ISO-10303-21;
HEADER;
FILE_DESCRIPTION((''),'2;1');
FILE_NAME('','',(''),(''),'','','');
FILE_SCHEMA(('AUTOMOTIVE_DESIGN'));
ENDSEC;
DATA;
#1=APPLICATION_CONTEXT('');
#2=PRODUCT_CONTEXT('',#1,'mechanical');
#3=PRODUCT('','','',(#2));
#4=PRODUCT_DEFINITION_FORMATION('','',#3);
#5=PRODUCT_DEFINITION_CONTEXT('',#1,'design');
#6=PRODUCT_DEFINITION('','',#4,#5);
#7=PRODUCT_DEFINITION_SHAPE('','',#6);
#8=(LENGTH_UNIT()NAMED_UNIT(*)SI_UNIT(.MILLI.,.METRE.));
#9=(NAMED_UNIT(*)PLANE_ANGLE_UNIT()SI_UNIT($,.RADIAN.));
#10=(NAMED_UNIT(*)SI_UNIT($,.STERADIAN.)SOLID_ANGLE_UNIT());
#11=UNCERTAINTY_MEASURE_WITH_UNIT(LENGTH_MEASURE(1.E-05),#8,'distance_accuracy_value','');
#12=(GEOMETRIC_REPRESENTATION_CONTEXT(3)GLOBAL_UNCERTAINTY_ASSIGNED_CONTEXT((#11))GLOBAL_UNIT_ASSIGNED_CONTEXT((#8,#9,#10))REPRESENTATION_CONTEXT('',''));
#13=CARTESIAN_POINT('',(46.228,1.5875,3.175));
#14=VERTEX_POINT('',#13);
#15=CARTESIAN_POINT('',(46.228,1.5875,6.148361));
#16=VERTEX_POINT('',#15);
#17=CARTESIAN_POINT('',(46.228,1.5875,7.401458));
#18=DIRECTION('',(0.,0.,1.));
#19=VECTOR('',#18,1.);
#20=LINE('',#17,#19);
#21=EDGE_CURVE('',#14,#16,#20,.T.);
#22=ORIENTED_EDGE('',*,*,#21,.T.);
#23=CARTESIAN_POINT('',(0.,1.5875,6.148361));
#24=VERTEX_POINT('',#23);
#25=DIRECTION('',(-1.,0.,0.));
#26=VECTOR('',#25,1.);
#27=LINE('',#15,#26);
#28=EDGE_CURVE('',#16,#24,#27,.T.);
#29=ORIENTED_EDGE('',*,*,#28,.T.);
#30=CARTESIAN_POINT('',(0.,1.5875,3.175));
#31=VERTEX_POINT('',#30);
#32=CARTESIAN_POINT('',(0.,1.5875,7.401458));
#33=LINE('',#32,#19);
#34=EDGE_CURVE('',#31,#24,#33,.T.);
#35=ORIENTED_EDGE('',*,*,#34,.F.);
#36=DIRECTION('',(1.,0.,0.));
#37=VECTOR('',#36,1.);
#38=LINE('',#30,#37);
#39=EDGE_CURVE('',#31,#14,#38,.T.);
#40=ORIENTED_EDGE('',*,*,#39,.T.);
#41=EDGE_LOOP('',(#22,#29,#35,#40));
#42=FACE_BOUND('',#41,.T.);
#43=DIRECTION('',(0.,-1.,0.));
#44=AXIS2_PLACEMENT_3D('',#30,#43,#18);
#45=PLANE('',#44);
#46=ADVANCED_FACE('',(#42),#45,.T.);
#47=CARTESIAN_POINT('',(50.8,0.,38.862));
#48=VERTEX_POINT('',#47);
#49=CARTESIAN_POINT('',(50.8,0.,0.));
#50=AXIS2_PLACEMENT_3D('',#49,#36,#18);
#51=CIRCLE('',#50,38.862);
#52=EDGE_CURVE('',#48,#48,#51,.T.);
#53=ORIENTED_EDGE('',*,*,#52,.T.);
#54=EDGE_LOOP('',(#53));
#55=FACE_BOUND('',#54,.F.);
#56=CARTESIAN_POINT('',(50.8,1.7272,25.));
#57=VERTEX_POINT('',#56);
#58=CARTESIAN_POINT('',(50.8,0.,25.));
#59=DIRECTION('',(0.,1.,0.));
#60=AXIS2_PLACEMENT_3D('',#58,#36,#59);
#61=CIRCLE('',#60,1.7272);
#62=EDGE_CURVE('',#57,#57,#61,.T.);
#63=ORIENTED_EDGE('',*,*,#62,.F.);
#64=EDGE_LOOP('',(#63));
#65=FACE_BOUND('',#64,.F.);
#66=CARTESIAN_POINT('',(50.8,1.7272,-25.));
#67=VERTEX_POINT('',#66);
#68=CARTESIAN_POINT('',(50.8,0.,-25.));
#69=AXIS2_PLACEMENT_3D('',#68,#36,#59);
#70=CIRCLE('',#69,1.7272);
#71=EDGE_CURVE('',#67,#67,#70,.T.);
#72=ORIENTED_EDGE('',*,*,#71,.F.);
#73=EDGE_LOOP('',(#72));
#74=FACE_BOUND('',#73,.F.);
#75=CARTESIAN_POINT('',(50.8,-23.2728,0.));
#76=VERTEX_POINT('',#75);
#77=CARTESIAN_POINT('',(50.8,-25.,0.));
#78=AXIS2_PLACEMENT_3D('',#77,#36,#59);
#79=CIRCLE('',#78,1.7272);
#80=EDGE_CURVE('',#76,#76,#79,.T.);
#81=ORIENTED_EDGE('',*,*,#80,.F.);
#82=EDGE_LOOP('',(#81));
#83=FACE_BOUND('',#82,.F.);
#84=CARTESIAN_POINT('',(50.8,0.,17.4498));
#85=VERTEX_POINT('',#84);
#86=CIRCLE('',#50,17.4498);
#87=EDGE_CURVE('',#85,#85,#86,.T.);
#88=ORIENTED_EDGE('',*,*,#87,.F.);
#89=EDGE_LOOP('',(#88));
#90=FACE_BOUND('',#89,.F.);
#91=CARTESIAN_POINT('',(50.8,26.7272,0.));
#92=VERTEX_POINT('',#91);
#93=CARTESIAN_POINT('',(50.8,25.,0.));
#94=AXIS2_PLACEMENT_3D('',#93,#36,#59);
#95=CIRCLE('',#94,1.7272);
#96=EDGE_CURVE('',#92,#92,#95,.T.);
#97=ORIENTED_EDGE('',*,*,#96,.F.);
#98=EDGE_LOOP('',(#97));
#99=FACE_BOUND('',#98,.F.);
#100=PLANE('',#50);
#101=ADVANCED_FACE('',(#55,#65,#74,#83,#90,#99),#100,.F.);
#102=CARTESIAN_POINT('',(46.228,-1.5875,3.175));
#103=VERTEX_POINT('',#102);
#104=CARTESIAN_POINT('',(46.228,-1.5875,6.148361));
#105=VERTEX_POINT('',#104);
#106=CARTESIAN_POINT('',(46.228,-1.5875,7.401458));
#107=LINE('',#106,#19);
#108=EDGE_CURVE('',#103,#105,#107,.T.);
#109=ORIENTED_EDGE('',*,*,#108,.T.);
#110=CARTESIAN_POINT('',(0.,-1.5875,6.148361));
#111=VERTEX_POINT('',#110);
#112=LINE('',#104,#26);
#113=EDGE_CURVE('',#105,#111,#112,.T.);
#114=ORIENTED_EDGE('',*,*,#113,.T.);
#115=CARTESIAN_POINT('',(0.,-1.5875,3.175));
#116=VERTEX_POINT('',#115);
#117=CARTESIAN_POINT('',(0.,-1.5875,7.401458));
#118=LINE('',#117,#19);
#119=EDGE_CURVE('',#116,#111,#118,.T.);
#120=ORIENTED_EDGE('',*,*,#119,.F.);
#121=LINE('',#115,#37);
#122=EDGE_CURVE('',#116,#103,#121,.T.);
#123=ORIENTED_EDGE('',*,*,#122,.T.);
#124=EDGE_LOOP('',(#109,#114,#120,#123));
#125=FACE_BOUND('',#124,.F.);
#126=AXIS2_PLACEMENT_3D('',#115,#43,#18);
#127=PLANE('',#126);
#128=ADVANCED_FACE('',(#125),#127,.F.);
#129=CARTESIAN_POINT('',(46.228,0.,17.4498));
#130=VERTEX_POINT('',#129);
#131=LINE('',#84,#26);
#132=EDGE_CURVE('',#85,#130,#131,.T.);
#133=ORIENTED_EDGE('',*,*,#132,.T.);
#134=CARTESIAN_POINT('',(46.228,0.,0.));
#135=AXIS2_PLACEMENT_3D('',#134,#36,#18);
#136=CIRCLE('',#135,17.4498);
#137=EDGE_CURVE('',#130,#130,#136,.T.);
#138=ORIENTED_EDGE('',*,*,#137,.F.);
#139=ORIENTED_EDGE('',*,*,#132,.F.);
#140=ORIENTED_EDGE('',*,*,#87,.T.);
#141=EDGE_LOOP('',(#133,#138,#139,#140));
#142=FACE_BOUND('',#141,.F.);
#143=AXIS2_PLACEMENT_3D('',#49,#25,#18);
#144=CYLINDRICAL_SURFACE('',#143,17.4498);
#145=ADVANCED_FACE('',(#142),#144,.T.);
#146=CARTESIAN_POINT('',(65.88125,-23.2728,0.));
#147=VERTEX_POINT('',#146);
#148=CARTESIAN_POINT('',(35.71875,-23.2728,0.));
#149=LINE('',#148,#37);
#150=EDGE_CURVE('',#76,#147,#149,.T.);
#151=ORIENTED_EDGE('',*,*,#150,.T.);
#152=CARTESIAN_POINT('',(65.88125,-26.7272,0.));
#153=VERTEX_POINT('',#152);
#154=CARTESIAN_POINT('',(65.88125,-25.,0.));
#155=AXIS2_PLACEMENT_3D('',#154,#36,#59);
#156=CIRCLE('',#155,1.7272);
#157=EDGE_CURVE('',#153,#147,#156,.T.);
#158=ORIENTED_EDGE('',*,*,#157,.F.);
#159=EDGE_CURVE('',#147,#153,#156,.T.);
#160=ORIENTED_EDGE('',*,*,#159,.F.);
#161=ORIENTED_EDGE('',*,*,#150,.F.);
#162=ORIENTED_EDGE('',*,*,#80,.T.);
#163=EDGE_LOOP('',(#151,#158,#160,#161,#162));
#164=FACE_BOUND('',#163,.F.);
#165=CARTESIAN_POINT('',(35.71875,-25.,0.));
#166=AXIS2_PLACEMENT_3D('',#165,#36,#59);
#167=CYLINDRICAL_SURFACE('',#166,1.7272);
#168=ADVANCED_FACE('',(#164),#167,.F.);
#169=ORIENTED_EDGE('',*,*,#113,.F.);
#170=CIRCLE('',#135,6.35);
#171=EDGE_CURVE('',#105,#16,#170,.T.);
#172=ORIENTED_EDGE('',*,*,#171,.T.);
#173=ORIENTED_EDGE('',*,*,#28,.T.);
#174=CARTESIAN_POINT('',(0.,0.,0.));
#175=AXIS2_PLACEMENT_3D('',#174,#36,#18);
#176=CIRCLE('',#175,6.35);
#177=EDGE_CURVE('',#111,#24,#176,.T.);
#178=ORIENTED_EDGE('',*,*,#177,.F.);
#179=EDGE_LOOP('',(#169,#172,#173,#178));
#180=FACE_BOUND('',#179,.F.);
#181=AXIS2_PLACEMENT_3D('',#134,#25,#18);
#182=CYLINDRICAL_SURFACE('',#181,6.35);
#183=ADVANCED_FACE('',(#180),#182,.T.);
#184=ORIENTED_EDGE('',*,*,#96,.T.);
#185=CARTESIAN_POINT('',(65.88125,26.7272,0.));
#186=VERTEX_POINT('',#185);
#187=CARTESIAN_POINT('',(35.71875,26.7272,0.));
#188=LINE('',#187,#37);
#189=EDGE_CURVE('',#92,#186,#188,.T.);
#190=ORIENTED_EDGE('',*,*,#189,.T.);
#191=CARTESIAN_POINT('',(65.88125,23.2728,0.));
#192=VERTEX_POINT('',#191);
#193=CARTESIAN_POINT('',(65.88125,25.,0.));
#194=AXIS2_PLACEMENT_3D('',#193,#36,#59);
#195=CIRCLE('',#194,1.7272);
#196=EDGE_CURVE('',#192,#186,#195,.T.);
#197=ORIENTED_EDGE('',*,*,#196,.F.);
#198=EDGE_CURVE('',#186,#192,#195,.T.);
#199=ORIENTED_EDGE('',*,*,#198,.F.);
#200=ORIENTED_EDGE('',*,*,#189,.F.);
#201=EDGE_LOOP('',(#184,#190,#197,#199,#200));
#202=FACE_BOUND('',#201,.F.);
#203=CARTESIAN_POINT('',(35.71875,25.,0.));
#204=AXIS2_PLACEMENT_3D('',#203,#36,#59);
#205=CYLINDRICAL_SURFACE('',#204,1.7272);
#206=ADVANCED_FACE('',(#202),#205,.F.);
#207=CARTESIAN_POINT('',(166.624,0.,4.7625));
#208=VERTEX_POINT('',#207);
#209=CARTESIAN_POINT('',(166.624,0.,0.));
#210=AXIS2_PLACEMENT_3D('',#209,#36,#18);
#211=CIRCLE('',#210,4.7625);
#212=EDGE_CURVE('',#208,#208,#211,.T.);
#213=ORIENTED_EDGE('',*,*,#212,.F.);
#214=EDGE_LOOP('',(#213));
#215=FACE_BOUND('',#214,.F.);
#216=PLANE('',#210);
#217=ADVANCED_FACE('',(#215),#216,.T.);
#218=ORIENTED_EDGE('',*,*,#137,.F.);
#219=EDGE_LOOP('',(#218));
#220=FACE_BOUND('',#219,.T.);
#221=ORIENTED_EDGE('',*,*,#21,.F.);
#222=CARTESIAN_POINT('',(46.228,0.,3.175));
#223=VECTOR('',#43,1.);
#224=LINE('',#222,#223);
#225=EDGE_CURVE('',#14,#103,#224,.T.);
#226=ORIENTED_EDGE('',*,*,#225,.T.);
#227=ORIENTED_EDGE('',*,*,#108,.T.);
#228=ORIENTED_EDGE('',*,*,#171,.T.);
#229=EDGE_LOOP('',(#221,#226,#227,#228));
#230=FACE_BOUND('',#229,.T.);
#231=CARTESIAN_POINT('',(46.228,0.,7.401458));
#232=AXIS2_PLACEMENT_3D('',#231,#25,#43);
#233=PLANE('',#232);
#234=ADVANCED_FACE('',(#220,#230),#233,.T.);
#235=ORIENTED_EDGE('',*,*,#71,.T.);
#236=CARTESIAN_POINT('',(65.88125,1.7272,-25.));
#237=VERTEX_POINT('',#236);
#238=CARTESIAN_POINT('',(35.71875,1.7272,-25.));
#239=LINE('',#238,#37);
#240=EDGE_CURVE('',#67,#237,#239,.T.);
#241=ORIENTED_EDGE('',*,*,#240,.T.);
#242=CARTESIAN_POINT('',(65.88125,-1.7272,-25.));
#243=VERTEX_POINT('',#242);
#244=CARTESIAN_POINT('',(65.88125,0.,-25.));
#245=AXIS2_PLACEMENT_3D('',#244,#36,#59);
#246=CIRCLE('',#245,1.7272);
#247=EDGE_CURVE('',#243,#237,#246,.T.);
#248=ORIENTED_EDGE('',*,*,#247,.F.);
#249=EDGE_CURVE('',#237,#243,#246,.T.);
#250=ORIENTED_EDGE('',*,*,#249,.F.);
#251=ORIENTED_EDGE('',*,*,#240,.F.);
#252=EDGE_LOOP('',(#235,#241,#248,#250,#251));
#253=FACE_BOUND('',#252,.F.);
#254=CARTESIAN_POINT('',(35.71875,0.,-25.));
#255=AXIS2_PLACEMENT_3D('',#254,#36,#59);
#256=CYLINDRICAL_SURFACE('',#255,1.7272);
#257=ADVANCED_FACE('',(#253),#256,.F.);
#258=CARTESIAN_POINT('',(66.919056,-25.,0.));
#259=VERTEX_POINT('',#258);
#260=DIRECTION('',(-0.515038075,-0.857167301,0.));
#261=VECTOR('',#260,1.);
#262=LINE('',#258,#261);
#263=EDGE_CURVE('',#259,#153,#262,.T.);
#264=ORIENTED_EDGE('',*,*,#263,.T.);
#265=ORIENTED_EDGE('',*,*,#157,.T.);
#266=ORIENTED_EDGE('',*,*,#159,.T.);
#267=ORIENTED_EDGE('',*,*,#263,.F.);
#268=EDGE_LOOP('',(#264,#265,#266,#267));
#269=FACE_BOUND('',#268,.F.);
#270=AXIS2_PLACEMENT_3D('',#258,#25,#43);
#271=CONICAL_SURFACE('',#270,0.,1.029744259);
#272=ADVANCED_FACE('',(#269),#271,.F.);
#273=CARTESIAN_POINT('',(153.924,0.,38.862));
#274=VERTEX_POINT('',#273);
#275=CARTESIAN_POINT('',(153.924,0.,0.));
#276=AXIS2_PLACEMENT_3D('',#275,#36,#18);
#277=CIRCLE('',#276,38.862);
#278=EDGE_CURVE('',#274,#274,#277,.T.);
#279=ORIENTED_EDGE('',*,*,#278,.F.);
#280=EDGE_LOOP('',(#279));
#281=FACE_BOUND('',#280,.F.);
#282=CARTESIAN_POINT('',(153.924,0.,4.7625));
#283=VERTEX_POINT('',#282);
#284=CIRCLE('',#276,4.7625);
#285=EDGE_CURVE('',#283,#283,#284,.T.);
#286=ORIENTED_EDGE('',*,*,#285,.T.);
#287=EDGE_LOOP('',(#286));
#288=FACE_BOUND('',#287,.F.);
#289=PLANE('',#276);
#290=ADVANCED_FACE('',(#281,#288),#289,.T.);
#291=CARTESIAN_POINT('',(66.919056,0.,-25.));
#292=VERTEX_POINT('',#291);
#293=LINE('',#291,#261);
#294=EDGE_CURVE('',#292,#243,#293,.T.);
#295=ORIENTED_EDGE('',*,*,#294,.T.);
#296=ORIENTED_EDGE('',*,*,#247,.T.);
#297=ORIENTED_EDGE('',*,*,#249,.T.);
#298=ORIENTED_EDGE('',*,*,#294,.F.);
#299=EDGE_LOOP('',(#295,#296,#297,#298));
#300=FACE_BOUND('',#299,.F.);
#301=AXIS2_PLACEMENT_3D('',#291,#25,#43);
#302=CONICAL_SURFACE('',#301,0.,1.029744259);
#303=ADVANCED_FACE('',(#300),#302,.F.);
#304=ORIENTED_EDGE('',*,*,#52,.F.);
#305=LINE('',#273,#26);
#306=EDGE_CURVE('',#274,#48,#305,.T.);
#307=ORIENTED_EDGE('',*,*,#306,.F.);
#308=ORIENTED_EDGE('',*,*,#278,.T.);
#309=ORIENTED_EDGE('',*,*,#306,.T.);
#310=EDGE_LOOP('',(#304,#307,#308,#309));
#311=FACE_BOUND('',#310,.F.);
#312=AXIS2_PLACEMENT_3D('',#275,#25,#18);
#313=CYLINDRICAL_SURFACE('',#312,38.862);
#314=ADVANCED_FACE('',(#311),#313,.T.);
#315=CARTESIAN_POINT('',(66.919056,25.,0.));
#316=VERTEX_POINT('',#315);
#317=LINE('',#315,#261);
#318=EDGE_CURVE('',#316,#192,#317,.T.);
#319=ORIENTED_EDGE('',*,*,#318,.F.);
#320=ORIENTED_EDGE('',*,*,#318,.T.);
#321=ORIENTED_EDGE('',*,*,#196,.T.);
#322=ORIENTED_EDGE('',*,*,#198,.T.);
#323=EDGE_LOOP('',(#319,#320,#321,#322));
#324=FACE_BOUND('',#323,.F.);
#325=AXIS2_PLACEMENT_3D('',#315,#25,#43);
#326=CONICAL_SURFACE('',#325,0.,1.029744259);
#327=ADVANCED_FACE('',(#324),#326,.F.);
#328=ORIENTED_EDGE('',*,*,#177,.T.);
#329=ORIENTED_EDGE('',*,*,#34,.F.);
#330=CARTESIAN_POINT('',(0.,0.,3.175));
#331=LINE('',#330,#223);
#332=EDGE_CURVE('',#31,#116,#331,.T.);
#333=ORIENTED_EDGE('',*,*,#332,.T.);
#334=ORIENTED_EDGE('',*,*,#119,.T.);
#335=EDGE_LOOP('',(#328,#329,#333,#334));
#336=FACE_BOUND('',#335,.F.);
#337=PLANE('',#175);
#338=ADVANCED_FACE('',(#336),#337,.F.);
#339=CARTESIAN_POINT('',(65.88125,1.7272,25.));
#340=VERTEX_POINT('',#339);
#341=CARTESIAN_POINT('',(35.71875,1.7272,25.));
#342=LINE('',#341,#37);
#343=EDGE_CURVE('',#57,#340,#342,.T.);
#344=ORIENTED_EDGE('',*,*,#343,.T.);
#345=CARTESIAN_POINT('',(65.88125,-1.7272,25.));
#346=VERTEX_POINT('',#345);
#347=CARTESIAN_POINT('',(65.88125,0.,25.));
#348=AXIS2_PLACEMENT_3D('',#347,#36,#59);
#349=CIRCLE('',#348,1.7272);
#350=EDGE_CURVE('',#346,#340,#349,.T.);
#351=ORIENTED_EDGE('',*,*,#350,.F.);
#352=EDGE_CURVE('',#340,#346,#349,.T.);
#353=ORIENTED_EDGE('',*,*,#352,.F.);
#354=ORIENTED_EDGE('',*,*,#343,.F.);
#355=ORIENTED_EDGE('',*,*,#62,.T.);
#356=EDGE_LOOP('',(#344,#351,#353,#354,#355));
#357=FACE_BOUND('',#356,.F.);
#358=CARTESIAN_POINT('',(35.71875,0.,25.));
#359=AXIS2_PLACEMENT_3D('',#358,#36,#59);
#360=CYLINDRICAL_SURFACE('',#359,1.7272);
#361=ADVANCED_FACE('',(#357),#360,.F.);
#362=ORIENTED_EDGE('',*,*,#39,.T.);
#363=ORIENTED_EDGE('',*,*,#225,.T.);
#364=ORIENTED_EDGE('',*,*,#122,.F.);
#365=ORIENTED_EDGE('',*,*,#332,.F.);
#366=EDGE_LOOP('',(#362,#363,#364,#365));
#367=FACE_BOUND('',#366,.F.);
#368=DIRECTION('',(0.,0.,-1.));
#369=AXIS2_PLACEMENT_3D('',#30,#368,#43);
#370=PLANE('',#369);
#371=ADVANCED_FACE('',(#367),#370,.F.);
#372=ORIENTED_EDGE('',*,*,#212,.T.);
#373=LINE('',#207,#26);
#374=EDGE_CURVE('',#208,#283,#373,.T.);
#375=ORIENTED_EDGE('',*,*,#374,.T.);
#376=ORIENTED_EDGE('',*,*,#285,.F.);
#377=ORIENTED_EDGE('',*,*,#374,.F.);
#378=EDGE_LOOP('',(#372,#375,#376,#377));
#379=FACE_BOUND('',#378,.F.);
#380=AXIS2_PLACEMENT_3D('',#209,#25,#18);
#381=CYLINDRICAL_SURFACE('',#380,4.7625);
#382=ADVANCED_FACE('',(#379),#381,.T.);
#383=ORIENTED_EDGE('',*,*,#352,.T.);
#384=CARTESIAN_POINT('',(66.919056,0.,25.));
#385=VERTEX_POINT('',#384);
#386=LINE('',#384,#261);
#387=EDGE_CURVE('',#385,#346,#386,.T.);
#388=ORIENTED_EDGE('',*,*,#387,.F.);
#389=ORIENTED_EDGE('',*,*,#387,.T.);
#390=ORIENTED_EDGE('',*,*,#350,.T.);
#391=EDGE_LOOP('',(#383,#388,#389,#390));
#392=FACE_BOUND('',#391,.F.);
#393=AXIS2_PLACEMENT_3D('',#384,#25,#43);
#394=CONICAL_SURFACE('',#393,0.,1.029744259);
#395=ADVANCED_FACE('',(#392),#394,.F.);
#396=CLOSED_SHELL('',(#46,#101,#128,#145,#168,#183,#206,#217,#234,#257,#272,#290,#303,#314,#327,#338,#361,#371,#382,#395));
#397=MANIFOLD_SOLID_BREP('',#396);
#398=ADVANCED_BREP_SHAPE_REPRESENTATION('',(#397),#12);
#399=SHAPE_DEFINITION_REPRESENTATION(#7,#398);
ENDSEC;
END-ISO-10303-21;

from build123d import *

# Parameters (mm, degrees)
F2_W     = 3.175
F2_H     = 8.4529162467
F3_DEPTH = 46.228
F5_D     = 3.4544
F5_DEPTH = 15.08125
F5_TIP   = 1.0378064612


with BuildPart() as f1:
    # F0 (on Front) → F1 (revolve)
    with BuildSketch(Plane.XZ):
        Polygon((0, 6.35), (0, 0), (166.624, 0), (166.624, 4.7625), (153.924, 4.7625), (153.924, 38.862), (50.8, 38.862), (50.8, 17.4498), (46.228, 17.4498), (46.228, 6.35), align=None)
    revolve(axis=Axis((76.633890767, 0, 0), (1, 0, 0)))

    # F2 (on face) → F3 (cut, through all)
    with BuildSketch(Plane(origin=(0, 0, 0), x_dir=(0, -1, 0), z_dir=(-1, 0, 0))):
        with Locations((0, 7.4014581233)):
            Rectangle(F2_W, F2_H)
    extrude(amount=-F3_DEPTH, mode=Mode.SUBTRACT)

    # F5
    with Locations(Plane(origin=(50.8, 0, 0), x_dir=(0, -1, 0), z_dir=(-1, 0, 0))):
        with Locations((-25, 0), (0, -25), (25, 0), (0, 25)):
            Hole(F5_D / 2, depth=F5_DEPTH)
            with Locations((0, 0, -(F5_DEPTH + F5_TIP / 2))):  # 118° drill point
                Cone(0, F5_D / 2, F5_TIP, mode=Mode.SUBTRACT)


solid = f1.part
